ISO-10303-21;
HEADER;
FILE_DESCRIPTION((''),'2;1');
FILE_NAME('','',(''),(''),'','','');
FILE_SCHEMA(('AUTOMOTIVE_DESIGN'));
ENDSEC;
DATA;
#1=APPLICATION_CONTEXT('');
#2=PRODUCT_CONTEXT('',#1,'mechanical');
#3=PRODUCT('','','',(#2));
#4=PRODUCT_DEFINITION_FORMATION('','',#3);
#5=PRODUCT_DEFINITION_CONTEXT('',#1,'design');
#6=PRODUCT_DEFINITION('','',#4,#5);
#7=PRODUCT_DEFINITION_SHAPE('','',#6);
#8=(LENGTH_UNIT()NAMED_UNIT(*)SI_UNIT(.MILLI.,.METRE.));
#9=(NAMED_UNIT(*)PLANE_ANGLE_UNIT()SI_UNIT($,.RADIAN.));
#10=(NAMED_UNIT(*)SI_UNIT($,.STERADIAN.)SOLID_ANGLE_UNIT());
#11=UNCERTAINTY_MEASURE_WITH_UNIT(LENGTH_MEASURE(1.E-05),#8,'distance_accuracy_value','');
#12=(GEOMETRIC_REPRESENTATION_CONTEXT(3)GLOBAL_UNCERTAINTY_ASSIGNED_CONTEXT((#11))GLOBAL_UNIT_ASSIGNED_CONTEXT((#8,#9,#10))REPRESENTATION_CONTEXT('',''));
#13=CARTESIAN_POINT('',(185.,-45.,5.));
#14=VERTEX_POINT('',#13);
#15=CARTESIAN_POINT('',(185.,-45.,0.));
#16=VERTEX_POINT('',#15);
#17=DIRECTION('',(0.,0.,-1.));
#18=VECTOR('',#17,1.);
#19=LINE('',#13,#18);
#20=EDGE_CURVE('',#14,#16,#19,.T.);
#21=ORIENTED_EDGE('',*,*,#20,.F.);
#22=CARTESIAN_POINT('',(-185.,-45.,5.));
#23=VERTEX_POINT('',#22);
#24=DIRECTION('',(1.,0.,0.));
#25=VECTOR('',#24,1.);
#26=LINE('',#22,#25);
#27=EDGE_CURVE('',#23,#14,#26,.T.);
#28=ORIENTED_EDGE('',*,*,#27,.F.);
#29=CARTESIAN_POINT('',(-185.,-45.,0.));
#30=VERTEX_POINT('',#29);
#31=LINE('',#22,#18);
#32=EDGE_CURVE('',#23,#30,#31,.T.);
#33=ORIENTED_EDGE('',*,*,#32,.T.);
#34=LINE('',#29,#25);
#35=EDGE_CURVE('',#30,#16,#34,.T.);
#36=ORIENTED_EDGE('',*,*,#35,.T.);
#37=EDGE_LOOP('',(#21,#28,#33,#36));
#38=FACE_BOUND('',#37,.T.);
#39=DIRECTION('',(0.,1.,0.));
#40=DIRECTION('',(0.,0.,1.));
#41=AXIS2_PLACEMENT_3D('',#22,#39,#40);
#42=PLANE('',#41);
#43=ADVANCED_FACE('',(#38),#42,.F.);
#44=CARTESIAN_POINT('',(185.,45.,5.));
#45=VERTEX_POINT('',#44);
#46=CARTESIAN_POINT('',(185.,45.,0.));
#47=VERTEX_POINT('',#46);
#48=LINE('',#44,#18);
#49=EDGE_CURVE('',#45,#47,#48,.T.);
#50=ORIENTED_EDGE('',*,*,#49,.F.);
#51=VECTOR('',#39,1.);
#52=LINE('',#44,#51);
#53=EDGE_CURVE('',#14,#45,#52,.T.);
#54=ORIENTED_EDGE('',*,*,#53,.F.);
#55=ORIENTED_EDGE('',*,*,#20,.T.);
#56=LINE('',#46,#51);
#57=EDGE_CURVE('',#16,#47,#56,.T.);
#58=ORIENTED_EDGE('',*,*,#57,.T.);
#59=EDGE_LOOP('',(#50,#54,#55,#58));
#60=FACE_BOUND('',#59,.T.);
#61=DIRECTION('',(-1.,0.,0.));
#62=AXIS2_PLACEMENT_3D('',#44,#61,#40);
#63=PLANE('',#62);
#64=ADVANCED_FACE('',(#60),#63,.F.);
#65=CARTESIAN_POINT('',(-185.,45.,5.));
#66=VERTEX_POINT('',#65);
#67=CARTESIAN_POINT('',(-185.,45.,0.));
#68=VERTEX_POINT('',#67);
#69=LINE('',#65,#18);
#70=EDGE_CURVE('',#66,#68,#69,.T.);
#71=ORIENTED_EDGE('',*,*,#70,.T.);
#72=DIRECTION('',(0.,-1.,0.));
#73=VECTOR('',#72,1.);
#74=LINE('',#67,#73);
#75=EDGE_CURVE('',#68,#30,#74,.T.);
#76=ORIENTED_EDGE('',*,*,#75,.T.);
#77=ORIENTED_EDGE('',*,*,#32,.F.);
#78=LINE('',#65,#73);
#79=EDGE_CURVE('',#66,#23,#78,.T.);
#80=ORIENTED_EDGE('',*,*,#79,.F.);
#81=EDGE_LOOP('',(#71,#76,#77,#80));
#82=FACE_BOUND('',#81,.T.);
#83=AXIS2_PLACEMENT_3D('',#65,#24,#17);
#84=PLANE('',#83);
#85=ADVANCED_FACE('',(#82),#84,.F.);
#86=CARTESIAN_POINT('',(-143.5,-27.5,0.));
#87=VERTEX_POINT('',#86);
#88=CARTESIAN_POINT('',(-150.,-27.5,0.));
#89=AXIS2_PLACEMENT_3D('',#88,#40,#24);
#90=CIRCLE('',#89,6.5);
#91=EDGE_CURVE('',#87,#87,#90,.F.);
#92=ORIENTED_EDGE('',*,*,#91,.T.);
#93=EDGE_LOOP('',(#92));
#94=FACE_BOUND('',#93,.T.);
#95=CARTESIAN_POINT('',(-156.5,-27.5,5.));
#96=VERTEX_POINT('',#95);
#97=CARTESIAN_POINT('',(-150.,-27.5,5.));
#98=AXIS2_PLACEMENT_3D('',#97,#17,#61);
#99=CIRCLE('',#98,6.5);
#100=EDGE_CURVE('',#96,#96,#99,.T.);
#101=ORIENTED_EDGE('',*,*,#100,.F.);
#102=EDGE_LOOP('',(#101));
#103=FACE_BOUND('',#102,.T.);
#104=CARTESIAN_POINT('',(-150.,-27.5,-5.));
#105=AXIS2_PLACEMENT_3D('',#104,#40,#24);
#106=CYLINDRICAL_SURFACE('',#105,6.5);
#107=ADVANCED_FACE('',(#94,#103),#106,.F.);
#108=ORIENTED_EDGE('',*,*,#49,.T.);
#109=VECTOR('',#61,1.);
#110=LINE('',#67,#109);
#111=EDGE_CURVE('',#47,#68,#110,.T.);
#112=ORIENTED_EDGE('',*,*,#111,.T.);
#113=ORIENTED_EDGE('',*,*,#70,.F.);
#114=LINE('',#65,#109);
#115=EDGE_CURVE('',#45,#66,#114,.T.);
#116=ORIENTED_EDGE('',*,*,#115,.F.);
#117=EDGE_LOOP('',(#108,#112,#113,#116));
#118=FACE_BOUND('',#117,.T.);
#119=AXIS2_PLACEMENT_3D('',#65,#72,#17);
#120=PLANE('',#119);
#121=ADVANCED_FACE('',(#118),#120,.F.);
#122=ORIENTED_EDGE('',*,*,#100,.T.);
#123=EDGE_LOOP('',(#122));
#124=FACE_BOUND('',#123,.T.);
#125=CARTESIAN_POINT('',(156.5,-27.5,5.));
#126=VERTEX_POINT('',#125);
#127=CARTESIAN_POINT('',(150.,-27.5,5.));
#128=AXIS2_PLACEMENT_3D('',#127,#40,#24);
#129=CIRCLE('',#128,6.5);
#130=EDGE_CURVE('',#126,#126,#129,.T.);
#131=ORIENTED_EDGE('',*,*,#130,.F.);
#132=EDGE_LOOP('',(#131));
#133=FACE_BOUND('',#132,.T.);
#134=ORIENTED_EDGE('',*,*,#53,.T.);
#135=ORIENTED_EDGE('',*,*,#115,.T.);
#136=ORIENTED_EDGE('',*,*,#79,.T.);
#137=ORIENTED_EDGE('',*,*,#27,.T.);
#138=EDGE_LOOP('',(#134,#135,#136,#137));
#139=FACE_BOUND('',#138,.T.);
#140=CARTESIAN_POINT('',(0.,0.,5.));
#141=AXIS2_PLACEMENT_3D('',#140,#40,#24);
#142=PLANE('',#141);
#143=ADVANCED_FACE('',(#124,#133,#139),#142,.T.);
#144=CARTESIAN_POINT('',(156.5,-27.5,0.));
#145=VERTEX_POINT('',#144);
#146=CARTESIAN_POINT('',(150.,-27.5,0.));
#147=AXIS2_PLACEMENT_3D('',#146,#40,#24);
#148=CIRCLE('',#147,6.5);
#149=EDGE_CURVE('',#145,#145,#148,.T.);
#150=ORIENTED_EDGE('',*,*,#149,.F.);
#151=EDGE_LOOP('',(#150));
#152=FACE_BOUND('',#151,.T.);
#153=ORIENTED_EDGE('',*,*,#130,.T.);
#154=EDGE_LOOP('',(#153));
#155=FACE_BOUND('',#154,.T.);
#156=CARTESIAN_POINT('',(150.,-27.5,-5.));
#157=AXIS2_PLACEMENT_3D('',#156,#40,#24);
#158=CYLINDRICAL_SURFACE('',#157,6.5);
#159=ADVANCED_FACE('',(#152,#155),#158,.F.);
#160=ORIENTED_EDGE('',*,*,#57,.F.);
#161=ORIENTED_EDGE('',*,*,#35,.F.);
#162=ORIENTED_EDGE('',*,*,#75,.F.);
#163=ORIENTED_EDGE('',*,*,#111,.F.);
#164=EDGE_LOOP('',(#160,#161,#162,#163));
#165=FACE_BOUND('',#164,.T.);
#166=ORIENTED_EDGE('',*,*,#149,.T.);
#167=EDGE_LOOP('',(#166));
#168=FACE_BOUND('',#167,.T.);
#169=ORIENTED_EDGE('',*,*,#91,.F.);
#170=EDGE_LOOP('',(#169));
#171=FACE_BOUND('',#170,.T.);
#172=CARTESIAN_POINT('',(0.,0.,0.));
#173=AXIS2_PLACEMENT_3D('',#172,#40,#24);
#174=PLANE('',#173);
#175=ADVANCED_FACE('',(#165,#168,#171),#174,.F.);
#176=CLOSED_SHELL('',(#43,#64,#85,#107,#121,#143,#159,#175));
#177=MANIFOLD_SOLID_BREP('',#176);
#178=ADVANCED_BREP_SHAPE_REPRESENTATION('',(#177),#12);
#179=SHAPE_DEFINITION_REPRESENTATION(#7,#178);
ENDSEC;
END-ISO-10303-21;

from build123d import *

# Parameters (mm, degrees)
SKETCH1_W           = 370
SKETCH1_H           = 90
BOSS_EXTRUDE1_DEPTH = 5
SKETCH2_R           = 6.5
CUT_EXTRUDE1_DEPTH  = 10


with BuildPart() as part:
    # Sketch1 → Boss-Extrude1 (new body)
    with BuildSketch(Plane.XY):
        Rectangle(SKETCH1_W, SKETCH1_H)
    extrude(amount=BOSS_EXTRUDE1_DEPTH)

    # Sketch2 → Cut-Extrude1 (cut)
    with BuildSketch(Plane.XY.offset(5)):
        with Locations((150, -27.5)):
            Circle(SKETCH2_R)
        with Locations((-150, -27.5)):
            Circle(SKETCH2_R)
    extrude(amount=-CUT_EXTRUDE1_DEPTH, mode=Mode.SUBTRACT)


solid = part.part
